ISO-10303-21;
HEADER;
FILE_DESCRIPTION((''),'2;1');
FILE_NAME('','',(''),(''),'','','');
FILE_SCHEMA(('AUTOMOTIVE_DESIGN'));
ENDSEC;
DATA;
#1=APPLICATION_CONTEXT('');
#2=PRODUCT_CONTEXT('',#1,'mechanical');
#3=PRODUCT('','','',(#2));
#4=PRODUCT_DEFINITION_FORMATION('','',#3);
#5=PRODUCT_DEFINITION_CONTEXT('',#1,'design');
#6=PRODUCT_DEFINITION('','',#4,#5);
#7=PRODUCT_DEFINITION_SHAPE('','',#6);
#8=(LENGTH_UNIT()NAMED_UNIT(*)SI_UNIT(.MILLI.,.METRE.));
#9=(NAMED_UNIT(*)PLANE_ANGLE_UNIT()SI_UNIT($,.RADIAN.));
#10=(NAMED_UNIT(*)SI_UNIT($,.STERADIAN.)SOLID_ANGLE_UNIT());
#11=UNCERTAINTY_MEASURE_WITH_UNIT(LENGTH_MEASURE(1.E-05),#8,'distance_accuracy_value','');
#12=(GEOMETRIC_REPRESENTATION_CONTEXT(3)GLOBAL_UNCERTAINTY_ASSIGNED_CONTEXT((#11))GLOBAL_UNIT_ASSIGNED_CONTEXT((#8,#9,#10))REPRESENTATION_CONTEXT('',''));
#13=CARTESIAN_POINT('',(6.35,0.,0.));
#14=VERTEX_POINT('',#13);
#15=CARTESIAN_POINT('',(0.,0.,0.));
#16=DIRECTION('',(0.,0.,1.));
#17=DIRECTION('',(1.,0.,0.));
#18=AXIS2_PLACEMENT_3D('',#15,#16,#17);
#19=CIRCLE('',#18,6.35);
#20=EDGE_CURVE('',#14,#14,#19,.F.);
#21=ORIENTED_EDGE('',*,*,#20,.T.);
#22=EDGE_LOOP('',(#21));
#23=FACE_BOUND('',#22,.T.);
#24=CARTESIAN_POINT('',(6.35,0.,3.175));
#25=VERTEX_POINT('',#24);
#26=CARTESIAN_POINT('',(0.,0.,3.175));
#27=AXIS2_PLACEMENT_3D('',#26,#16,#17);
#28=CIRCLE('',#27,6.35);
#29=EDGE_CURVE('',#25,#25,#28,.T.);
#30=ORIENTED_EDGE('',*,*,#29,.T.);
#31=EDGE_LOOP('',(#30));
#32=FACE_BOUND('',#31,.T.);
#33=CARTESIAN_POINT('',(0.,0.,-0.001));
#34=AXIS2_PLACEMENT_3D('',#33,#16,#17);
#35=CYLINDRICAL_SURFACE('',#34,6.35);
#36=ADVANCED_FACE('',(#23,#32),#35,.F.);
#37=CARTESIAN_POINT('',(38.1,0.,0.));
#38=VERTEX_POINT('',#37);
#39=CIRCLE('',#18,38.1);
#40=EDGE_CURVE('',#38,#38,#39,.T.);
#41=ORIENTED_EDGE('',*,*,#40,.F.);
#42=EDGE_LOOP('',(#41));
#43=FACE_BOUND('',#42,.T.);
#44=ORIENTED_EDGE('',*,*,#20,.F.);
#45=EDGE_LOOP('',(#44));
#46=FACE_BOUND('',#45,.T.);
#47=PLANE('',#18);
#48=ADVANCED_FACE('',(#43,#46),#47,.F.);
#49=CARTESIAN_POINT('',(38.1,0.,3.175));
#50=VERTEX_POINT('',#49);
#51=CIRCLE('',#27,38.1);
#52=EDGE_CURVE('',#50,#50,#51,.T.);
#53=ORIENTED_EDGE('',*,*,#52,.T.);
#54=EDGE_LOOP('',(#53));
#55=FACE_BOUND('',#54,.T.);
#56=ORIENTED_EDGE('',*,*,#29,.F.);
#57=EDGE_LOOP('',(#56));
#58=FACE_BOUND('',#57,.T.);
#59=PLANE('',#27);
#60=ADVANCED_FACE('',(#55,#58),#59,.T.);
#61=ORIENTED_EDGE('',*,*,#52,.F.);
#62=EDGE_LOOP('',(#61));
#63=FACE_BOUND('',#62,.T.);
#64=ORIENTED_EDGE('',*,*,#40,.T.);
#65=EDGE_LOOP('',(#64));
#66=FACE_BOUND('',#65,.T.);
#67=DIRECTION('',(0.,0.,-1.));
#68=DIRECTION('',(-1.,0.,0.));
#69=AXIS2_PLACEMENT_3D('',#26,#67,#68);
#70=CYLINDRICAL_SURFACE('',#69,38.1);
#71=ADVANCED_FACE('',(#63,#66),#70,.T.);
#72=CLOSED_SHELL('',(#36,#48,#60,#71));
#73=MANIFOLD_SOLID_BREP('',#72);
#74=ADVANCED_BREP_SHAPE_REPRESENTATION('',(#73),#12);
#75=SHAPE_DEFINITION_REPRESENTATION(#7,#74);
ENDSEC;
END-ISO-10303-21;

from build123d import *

# Parameters (mm, degrees)
SKETCH2_R           = 38.1
BOSS_EXTRUDE1_DEPTH = 3.175
CUT_EXTRUDE1_REACH  = 55.975
SKETCH3_R           = 6.35


with BuildPart() as part:
    # Sketch2 → Boss-Extrude1 (new body)
    with BuildSketch(Plane.XY):
        Circle(SKETCH2_R)
    extrude(amount=BOSS_EXTRUDE1_DEPTH)

    # Sketch3 → Cut-Extrude1 (cut, up to next)
    with BuildSketch(Plane.XY.offset(3.175), mode=Mode.PRIVATE) as cut_extrude1_sk1:
        Circle(SKETCH3_R)
    cut_extrude1_tool1 = extrude(cut_extrude1_sk1.sketch, amount=-CUT_EXTRUDE1_REACH, mode=Mode.PRIVATE) & part.part
    add(cut_extrude1_tool1.solids().sort_by_distance((0, 0, 3.175))[0], mode=Mode.SUBTRACT)


solid = part.part
